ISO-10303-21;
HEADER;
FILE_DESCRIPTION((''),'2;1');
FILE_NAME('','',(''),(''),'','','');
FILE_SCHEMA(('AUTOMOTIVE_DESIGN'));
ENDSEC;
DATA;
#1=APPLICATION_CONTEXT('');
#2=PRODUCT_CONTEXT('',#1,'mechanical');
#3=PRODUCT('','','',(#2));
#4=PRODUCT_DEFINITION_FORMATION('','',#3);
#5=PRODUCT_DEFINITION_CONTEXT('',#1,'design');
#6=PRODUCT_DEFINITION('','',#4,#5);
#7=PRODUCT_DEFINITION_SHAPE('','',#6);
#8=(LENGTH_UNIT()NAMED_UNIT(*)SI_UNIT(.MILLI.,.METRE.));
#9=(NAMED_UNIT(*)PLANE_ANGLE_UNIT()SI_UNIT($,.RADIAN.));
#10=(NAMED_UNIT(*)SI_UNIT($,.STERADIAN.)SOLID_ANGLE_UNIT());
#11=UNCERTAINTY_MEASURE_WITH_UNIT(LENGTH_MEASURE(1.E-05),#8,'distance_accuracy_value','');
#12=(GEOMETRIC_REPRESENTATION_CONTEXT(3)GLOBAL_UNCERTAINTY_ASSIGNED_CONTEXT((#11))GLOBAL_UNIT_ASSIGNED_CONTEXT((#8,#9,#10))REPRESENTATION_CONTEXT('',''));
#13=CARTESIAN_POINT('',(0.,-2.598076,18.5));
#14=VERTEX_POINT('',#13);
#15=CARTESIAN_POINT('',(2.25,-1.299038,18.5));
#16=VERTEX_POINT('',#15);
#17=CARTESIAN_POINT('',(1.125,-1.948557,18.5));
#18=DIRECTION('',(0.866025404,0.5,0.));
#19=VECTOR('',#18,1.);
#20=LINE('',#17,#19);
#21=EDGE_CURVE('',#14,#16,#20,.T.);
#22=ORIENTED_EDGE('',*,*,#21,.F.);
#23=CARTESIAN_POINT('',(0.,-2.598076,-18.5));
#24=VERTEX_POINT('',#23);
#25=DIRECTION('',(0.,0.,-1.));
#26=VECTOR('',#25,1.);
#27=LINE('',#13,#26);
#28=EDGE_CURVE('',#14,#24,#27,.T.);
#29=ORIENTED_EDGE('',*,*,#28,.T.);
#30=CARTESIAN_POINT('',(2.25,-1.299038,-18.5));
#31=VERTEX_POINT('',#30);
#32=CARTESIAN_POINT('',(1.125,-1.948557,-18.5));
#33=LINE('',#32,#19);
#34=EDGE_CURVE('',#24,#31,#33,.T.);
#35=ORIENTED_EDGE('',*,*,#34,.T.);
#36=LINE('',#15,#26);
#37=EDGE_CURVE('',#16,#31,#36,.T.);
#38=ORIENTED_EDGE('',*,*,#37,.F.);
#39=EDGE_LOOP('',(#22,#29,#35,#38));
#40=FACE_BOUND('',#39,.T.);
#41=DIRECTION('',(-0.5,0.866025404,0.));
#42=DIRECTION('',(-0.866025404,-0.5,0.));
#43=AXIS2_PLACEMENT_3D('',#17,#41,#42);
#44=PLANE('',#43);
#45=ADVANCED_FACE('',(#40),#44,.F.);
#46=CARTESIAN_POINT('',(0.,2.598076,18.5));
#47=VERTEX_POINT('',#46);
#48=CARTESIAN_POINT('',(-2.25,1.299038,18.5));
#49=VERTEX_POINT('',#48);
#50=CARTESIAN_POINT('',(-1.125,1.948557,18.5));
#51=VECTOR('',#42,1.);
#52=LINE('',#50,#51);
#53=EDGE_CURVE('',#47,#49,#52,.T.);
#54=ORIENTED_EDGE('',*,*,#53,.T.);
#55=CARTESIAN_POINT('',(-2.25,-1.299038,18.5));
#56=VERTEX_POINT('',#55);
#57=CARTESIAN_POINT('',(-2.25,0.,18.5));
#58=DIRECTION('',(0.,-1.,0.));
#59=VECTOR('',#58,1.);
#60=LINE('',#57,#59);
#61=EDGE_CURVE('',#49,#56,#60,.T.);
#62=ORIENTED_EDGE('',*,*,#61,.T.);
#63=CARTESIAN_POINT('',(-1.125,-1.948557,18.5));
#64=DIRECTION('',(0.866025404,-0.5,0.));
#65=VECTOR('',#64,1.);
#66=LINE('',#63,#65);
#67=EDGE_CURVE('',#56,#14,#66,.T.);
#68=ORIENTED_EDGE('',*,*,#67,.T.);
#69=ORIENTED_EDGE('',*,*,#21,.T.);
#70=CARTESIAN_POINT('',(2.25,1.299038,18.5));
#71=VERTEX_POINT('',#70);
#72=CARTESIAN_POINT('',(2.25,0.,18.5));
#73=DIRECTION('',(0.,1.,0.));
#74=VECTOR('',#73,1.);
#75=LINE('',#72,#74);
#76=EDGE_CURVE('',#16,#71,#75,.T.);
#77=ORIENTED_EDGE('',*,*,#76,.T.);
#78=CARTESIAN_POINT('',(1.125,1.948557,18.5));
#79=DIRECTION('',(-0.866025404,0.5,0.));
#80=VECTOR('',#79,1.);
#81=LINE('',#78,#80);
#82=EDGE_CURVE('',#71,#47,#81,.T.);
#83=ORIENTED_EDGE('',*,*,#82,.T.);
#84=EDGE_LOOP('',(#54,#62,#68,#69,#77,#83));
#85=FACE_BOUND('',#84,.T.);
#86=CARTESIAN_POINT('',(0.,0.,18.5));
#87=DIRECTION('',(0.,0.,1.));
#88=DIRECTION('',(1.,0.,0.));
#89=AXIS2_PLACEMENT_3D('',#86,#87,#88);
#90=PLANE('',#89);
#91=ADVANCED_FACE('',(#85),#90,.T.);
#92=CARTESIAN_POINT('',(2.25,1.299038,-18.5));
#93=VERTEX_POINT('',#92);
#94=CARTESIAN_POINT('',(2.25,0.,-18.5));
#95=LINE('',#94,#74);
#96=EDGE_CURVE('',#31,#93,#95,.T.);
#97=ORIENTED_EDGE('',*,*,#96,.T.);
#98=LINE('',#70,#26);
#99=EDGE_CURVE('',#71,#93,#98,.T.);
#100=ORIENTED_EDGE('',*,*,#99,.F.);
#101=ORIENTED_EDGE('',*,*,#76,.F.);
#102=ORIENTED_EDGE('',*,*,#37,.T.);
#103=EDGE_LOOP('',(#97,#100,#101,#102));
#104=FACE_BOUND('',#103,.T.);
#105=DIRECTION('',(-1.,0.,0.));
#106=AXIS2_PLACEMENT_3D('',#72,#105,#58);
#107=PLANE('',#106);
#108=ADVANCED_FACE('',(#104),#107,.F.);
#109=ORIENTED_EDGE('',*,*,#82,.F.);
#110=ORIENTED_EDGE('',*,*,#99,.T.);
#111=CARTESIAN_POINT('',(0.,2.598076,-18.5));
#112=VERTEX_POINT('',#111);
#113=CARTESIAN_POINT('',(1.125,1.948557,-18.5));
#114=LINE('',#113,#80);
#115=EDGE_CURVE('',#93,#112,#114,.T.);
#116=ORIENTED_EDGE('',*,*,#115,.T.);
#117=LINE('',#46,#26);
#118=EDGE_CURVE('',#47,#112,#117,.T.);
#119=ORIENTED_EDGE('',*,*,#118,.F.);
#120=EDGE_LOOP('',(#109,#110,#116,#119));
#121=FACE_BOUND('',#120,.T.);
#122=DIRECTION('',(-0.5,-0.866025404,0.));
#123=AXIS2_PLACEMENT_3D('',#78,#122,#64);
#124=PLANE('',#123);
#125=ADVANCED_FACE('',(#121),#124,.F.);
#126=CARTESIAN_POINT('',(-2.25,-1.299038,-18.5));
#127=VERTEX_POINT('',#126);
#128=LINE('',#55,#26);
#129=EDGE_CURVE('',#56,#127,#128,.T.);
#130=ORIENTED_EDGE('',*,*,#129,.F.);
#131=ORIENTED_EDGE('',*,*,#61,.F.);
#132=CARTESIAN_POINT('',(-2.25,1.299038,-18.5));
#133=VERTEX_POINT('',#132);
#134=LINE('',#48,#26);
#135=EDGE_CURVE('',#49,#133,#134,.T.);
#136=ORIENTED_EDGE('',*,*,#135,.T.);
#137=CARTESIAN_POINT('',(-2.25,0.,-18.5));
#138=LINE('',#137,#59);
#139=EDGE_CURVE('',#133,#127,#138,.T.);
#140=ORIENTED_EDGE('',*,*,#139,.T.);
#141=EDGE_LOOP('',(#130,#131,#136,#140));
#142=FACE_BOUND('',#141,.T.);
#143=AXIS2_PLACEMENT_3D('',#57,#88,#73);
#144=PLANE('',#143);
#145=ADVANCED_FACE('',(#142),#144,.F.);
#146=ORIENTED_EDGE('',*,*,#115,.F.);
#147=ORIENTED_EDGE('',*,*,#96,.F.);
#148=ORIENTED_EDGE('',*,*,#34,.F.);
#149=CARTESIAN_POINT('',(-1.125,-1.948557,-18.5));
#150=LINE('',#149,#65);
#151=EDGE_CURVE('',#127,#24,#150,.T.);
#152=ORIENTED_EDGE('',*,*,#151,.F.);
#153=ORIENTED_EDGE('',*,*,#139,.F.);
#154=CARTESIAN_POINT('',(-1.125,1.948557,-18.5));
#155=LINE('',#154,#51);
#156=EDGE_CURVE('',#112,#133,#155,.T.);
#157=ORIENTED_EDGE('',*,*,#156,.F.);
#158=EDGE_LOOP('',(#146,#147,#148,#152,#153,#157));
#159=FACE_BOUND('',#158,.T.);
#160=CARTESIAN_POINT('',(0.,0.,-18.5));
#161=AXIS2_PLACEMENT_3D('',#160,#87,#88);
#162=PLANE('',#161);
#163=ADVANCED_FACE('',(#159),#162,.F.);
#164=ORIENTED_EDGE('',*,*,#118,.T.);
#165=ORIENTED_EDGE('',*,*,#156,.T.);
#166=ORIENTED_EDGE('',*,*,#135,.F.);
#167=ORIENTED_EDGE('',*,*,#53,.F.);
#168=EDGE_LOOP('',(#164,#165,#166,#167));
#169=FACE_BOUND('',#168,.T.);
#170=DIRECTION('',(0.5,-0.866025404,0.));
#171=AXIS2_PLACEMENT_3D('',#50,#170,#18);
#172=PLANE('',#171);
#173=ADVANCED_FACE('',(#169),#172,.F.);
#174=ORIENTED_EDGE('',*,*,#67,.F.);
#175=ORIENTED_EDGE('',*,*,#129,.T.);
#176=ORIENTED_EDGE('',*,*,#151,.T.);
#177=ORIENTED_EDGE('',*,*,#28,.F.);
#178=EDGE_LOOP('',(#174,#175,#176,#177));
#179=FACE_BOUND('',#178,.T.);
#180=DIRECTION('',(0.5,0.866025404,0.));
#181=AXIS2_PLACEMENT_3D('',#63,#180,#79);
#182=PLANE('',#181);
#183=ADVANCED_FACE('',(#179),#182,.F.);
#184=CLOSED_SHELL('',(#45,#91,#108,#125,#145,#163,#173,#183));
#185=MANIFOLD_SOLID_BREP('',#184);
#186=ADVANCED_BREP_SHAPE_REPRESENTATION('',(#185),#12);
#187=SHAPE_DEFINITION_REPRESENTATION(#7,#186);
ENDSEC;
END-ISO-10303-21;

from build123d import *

# Parameters (mm, degrees)
SKETCH1_R           = 1.5
EXTRUDE1_DEPTH      = 18.5
EXTRUDE1_DEPTH_BACK = 18.5


with BuildPart() as part:
    # Sketch1 → Extrude1 (new, two sides)
    with BuildSketch(Plane.XY) as extrude1_sk:
        Polygon((2.25, -1.299038106), (2.25, 1.299038106), (0, 2.598076211), (-2.25, 1.299038106), (-2.25, -1.299038106), (0, -2.598076211), align=None)
        Circle(SKETCH1_R, mode=Mode.SUBTRACT)
        Circle(SKETCH1_R)
    extrude(amount=EXTRUDE1_DEPTH)
    extrude(extrude1_sk.sketch, amount=-EXTRUDE1_DEPTH_BACK)


solid = part.part
